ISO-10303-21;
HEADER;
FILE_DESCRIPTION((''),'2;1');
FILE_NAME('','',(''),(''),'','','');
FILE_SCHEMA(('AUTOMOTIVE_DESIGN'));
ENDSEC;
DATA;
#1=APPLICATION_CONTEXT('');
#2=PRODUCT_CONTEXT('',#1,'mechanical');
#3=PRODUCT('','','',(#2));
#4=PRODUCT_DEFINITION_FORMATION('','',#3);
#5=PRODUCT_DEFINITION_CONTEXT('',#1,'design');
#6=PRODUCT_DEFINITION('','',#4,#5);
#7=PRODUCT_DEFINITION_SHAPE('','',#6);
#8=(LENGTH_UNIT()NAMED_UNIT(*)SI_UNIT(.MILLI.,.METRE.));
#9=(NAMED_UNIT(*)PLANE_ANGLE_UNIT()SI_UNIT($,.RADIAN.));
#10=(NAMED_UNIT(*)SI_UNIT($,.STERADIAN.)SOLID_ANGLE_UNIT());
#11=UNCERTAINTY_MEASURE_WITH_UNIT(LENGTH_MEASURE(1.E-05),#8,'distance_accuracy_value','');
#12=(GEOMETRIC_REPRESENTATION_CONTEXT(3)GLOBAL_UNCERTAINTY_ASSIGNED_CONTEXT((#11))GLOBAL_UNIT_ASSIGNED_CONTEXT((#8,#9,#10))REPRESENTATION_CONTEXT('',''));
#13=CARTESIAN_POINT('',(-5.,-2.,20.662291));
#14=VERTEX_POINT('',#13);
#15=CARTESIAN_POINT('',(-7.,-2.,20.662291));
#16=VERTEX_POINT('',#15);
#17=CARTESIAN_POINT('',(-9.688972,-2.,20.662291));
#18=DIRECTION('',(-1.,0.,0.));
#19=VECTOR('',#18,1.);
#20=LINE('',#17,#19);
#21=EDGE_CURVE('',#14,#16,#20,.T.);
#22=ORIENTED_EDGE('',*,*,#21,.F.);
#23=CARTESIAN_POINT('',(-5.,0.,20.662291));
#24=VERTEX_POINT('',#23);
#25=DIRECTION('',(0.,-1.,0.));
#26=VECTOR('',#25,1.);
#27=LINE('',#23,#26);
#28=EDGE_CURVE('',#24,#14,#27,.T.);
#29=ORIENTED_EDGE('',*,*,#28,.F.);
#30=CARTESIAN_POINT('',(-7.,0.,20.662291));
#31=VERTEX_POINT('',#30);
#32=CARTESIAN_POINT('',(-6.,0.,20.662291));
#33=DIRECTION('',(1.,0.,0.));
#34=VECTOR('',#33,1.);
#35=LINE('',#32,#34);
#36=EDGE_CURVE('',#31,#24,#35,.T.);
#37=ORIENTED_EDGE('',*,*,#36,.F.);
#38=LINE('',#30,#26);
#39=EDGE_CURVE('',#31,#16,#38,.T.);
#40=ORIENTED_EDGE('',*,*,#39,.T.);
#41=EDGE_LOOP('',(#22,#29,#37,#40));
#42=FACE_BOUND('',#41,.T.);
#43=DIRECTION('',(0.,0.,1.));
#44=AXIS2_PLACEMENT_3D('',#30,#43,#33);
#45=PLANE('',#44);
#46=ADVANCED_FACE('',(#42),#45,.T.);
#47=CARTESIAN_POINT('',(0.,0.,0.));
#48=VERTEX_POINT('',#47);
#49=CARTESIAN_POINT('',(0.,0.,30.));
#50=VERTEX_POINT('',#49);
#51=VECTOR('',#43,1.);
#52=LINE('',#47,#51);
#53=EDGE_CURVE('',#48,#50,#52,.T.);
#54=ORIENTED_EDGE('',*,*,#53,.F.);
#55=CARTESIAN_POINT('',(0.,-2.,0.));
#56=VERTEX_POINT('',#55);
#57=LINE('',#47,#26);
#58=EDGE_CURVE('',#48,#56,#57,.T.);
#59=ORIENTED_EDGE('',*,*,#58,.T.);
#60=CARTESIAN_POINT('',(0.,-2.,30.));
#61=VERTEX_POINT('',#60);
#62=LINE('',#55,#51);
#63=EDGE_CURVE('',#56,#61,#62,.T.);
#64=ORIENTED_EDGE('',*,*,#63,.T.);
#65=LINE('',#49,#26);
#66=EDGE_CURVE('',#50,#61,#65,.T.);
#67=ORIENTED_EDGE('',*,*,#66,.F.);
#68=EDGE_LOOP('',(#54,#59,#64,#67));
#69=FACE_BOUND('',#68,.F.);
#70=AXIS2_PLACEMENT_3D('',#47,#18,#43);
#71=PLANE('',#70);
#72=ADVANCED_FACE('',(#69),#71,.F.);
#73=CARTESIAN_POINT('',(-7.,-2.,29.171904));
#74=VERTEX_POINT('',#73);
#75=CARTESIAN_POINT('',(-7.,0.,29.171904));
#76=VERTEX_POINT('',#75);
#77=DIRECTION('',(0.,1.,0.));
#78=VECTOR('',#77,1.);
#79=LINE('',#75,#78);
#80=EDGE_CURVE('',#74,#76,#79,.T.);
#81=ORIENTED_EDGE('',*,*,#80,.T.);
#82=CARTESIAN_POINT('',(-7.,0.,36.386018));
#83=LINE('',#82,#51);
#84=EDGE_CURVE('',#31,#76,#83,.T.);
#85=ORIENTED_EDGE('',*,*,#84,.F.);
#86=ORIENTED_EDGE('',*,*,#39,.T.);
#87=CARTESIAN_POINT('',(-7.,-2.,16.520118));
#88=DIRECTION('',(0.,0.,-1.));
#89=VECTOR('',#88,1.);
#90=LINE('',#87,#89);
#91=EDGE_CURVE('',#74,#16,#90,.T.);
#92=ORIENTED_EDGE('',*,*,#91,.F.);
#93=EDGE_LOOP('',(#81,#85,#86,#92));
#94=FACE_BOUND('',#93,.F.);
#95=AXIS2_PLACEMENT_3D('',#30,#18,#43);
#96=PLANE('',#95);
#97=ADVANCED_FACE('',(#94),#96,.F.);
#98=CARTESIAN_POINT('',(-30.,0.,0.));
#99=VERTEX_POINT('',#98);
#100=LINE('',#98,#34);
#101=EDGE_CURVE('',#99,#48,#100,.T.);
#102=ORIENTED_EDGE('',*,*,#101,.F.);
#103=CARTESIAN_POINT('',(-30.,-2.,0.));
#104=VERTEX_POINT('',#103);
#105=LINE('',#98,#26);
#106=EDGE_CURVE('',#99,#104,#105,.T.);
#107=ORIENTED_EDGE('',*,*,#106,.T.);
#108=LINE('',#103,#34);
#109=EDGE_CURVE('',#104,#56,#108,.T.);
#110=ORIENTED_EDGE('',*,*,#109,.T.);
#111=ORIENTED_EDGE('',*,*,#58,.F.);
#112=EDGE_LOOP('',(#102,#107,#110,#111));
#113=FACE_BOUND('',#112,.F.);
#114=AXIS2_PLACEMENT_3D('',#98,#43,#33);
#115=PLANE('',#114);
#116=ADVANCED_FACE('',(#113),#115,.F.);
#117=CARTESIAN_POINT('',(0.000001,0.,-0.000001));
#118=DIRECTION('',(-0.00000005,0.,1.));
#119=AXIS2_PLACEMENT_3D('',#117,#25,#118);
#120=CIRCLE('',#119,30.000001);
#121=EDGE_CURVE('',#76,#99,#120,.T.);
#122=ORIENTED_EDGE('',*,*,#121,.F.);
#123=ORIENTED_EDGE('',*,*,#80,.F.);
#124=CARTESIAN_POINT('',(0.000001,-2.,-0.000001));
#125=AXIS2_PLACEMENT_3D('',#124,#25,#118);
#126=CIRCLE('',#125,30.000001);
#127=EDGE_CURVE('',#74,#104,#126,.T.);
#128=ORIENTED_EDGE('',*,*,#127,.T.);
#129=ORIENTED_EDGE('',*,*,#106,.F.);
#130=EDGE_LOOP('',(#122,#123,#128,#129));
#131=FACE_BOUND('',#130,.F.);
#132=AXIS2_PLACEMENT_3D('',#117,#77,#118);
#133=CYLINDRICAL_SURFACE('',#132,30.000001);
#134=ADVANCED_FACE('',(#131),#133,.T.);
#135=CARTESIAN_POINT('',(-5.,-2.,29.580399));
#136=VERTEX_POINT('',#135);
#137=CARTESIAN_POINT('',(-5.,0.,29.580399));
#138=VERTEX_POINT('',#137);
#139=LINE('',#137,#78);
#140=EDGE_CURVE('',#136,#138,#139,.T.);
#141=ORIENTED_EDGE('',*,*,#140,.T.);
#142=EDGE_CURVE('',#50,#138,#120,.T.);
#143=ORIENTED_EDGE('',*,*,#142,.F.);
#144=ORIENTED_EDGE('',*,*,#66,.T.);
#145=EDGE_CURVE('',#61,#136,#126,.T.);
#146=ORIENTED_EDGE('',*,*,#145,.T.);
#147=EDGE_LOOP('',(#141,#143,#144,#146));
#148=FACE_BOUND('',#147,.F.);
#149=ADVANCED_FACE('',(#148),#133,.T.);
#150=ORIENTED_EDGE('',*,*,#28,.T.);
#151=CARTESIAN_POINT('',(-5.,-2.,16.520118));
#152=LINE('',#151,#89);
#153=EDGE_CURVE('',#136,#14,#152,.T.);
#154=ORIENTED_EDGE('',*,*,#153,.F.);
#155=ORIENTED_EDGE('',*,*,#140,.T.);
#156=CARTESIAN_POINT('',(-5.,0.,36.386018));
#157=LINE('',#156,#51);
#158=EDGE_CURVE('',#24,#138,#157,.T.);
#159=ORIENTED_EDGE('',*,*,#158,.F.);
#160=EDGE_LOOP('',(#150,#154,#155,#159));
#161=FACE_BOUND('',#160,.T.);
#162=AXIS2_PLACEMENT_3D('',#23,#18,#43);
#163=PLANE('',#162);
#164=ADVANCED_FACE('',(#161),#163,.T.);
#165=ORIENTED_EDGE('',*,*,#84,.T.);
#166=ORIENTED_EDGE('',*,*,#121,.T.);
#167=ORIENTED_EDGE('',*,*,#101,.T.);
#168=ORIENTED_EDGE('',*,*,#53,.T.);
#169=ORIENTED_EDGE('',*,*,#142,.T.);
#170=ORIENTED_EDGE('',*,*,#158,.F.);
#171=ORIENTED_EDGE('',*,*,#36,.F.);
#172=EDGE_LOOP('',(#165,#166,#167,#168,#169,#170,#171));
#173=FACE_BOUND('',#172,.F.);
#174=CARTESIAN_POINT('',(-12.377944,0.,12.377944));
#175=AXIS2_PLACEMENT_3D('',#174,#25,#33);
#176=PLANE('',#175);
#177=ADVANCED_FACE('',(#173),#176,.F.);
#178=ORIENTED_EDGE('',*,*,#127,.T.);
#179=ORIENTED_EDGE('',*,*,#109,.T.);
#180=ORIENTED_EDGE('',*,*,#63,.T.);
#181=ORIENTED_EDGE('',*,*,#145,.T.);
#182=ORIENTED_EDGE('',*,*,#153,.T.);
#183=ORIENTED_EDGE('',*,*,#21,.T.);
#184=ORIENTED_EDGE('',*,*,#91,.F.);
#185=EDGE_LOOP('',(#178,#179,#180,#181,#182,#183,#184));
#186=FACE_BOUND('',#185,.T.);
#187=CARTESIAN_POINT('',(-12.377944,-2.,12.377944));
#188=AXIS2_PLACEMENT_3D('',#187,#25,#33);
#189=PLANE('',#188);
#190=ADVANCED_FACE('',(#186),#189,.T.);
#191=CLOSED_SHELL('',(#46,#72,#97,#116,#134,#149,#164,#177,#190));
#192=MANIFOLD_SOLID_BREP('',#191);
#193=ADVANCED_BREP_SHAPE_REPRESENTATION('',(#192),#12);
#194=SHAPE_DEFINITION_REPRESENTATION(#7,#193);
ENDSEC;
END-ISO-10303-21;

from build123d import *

# Parameters (mm, degrees)
F1_DEPTH = 2
F2_W     = 2
F2_H     = 31.447453
F3_DEPTH = 25


with BuildPart() as f1:
    # F0 (on Front) → F1 (new body)
    with BuildSketch(Plane.XZ):
        with BuildLine():
            ThreePointArc((0, 30), (-21.213203, 21.213203), (-30, 0))
            Line((-30, 0), (0, 0))
            Line((0, 0), (0, 30))
        make_face()
    extrude(amount=F1_DEPTH)

    # F2 (on Front) → F3 (cut)
    with BuildSketch(Plane.XZ):
        with Locations((-6, 36.386018)):
            Rectangle(F2_W, F2_H)
    extrude(amount=F3_DEPTH, mode=Mode.SUBTRACT)


solid = f1.part
